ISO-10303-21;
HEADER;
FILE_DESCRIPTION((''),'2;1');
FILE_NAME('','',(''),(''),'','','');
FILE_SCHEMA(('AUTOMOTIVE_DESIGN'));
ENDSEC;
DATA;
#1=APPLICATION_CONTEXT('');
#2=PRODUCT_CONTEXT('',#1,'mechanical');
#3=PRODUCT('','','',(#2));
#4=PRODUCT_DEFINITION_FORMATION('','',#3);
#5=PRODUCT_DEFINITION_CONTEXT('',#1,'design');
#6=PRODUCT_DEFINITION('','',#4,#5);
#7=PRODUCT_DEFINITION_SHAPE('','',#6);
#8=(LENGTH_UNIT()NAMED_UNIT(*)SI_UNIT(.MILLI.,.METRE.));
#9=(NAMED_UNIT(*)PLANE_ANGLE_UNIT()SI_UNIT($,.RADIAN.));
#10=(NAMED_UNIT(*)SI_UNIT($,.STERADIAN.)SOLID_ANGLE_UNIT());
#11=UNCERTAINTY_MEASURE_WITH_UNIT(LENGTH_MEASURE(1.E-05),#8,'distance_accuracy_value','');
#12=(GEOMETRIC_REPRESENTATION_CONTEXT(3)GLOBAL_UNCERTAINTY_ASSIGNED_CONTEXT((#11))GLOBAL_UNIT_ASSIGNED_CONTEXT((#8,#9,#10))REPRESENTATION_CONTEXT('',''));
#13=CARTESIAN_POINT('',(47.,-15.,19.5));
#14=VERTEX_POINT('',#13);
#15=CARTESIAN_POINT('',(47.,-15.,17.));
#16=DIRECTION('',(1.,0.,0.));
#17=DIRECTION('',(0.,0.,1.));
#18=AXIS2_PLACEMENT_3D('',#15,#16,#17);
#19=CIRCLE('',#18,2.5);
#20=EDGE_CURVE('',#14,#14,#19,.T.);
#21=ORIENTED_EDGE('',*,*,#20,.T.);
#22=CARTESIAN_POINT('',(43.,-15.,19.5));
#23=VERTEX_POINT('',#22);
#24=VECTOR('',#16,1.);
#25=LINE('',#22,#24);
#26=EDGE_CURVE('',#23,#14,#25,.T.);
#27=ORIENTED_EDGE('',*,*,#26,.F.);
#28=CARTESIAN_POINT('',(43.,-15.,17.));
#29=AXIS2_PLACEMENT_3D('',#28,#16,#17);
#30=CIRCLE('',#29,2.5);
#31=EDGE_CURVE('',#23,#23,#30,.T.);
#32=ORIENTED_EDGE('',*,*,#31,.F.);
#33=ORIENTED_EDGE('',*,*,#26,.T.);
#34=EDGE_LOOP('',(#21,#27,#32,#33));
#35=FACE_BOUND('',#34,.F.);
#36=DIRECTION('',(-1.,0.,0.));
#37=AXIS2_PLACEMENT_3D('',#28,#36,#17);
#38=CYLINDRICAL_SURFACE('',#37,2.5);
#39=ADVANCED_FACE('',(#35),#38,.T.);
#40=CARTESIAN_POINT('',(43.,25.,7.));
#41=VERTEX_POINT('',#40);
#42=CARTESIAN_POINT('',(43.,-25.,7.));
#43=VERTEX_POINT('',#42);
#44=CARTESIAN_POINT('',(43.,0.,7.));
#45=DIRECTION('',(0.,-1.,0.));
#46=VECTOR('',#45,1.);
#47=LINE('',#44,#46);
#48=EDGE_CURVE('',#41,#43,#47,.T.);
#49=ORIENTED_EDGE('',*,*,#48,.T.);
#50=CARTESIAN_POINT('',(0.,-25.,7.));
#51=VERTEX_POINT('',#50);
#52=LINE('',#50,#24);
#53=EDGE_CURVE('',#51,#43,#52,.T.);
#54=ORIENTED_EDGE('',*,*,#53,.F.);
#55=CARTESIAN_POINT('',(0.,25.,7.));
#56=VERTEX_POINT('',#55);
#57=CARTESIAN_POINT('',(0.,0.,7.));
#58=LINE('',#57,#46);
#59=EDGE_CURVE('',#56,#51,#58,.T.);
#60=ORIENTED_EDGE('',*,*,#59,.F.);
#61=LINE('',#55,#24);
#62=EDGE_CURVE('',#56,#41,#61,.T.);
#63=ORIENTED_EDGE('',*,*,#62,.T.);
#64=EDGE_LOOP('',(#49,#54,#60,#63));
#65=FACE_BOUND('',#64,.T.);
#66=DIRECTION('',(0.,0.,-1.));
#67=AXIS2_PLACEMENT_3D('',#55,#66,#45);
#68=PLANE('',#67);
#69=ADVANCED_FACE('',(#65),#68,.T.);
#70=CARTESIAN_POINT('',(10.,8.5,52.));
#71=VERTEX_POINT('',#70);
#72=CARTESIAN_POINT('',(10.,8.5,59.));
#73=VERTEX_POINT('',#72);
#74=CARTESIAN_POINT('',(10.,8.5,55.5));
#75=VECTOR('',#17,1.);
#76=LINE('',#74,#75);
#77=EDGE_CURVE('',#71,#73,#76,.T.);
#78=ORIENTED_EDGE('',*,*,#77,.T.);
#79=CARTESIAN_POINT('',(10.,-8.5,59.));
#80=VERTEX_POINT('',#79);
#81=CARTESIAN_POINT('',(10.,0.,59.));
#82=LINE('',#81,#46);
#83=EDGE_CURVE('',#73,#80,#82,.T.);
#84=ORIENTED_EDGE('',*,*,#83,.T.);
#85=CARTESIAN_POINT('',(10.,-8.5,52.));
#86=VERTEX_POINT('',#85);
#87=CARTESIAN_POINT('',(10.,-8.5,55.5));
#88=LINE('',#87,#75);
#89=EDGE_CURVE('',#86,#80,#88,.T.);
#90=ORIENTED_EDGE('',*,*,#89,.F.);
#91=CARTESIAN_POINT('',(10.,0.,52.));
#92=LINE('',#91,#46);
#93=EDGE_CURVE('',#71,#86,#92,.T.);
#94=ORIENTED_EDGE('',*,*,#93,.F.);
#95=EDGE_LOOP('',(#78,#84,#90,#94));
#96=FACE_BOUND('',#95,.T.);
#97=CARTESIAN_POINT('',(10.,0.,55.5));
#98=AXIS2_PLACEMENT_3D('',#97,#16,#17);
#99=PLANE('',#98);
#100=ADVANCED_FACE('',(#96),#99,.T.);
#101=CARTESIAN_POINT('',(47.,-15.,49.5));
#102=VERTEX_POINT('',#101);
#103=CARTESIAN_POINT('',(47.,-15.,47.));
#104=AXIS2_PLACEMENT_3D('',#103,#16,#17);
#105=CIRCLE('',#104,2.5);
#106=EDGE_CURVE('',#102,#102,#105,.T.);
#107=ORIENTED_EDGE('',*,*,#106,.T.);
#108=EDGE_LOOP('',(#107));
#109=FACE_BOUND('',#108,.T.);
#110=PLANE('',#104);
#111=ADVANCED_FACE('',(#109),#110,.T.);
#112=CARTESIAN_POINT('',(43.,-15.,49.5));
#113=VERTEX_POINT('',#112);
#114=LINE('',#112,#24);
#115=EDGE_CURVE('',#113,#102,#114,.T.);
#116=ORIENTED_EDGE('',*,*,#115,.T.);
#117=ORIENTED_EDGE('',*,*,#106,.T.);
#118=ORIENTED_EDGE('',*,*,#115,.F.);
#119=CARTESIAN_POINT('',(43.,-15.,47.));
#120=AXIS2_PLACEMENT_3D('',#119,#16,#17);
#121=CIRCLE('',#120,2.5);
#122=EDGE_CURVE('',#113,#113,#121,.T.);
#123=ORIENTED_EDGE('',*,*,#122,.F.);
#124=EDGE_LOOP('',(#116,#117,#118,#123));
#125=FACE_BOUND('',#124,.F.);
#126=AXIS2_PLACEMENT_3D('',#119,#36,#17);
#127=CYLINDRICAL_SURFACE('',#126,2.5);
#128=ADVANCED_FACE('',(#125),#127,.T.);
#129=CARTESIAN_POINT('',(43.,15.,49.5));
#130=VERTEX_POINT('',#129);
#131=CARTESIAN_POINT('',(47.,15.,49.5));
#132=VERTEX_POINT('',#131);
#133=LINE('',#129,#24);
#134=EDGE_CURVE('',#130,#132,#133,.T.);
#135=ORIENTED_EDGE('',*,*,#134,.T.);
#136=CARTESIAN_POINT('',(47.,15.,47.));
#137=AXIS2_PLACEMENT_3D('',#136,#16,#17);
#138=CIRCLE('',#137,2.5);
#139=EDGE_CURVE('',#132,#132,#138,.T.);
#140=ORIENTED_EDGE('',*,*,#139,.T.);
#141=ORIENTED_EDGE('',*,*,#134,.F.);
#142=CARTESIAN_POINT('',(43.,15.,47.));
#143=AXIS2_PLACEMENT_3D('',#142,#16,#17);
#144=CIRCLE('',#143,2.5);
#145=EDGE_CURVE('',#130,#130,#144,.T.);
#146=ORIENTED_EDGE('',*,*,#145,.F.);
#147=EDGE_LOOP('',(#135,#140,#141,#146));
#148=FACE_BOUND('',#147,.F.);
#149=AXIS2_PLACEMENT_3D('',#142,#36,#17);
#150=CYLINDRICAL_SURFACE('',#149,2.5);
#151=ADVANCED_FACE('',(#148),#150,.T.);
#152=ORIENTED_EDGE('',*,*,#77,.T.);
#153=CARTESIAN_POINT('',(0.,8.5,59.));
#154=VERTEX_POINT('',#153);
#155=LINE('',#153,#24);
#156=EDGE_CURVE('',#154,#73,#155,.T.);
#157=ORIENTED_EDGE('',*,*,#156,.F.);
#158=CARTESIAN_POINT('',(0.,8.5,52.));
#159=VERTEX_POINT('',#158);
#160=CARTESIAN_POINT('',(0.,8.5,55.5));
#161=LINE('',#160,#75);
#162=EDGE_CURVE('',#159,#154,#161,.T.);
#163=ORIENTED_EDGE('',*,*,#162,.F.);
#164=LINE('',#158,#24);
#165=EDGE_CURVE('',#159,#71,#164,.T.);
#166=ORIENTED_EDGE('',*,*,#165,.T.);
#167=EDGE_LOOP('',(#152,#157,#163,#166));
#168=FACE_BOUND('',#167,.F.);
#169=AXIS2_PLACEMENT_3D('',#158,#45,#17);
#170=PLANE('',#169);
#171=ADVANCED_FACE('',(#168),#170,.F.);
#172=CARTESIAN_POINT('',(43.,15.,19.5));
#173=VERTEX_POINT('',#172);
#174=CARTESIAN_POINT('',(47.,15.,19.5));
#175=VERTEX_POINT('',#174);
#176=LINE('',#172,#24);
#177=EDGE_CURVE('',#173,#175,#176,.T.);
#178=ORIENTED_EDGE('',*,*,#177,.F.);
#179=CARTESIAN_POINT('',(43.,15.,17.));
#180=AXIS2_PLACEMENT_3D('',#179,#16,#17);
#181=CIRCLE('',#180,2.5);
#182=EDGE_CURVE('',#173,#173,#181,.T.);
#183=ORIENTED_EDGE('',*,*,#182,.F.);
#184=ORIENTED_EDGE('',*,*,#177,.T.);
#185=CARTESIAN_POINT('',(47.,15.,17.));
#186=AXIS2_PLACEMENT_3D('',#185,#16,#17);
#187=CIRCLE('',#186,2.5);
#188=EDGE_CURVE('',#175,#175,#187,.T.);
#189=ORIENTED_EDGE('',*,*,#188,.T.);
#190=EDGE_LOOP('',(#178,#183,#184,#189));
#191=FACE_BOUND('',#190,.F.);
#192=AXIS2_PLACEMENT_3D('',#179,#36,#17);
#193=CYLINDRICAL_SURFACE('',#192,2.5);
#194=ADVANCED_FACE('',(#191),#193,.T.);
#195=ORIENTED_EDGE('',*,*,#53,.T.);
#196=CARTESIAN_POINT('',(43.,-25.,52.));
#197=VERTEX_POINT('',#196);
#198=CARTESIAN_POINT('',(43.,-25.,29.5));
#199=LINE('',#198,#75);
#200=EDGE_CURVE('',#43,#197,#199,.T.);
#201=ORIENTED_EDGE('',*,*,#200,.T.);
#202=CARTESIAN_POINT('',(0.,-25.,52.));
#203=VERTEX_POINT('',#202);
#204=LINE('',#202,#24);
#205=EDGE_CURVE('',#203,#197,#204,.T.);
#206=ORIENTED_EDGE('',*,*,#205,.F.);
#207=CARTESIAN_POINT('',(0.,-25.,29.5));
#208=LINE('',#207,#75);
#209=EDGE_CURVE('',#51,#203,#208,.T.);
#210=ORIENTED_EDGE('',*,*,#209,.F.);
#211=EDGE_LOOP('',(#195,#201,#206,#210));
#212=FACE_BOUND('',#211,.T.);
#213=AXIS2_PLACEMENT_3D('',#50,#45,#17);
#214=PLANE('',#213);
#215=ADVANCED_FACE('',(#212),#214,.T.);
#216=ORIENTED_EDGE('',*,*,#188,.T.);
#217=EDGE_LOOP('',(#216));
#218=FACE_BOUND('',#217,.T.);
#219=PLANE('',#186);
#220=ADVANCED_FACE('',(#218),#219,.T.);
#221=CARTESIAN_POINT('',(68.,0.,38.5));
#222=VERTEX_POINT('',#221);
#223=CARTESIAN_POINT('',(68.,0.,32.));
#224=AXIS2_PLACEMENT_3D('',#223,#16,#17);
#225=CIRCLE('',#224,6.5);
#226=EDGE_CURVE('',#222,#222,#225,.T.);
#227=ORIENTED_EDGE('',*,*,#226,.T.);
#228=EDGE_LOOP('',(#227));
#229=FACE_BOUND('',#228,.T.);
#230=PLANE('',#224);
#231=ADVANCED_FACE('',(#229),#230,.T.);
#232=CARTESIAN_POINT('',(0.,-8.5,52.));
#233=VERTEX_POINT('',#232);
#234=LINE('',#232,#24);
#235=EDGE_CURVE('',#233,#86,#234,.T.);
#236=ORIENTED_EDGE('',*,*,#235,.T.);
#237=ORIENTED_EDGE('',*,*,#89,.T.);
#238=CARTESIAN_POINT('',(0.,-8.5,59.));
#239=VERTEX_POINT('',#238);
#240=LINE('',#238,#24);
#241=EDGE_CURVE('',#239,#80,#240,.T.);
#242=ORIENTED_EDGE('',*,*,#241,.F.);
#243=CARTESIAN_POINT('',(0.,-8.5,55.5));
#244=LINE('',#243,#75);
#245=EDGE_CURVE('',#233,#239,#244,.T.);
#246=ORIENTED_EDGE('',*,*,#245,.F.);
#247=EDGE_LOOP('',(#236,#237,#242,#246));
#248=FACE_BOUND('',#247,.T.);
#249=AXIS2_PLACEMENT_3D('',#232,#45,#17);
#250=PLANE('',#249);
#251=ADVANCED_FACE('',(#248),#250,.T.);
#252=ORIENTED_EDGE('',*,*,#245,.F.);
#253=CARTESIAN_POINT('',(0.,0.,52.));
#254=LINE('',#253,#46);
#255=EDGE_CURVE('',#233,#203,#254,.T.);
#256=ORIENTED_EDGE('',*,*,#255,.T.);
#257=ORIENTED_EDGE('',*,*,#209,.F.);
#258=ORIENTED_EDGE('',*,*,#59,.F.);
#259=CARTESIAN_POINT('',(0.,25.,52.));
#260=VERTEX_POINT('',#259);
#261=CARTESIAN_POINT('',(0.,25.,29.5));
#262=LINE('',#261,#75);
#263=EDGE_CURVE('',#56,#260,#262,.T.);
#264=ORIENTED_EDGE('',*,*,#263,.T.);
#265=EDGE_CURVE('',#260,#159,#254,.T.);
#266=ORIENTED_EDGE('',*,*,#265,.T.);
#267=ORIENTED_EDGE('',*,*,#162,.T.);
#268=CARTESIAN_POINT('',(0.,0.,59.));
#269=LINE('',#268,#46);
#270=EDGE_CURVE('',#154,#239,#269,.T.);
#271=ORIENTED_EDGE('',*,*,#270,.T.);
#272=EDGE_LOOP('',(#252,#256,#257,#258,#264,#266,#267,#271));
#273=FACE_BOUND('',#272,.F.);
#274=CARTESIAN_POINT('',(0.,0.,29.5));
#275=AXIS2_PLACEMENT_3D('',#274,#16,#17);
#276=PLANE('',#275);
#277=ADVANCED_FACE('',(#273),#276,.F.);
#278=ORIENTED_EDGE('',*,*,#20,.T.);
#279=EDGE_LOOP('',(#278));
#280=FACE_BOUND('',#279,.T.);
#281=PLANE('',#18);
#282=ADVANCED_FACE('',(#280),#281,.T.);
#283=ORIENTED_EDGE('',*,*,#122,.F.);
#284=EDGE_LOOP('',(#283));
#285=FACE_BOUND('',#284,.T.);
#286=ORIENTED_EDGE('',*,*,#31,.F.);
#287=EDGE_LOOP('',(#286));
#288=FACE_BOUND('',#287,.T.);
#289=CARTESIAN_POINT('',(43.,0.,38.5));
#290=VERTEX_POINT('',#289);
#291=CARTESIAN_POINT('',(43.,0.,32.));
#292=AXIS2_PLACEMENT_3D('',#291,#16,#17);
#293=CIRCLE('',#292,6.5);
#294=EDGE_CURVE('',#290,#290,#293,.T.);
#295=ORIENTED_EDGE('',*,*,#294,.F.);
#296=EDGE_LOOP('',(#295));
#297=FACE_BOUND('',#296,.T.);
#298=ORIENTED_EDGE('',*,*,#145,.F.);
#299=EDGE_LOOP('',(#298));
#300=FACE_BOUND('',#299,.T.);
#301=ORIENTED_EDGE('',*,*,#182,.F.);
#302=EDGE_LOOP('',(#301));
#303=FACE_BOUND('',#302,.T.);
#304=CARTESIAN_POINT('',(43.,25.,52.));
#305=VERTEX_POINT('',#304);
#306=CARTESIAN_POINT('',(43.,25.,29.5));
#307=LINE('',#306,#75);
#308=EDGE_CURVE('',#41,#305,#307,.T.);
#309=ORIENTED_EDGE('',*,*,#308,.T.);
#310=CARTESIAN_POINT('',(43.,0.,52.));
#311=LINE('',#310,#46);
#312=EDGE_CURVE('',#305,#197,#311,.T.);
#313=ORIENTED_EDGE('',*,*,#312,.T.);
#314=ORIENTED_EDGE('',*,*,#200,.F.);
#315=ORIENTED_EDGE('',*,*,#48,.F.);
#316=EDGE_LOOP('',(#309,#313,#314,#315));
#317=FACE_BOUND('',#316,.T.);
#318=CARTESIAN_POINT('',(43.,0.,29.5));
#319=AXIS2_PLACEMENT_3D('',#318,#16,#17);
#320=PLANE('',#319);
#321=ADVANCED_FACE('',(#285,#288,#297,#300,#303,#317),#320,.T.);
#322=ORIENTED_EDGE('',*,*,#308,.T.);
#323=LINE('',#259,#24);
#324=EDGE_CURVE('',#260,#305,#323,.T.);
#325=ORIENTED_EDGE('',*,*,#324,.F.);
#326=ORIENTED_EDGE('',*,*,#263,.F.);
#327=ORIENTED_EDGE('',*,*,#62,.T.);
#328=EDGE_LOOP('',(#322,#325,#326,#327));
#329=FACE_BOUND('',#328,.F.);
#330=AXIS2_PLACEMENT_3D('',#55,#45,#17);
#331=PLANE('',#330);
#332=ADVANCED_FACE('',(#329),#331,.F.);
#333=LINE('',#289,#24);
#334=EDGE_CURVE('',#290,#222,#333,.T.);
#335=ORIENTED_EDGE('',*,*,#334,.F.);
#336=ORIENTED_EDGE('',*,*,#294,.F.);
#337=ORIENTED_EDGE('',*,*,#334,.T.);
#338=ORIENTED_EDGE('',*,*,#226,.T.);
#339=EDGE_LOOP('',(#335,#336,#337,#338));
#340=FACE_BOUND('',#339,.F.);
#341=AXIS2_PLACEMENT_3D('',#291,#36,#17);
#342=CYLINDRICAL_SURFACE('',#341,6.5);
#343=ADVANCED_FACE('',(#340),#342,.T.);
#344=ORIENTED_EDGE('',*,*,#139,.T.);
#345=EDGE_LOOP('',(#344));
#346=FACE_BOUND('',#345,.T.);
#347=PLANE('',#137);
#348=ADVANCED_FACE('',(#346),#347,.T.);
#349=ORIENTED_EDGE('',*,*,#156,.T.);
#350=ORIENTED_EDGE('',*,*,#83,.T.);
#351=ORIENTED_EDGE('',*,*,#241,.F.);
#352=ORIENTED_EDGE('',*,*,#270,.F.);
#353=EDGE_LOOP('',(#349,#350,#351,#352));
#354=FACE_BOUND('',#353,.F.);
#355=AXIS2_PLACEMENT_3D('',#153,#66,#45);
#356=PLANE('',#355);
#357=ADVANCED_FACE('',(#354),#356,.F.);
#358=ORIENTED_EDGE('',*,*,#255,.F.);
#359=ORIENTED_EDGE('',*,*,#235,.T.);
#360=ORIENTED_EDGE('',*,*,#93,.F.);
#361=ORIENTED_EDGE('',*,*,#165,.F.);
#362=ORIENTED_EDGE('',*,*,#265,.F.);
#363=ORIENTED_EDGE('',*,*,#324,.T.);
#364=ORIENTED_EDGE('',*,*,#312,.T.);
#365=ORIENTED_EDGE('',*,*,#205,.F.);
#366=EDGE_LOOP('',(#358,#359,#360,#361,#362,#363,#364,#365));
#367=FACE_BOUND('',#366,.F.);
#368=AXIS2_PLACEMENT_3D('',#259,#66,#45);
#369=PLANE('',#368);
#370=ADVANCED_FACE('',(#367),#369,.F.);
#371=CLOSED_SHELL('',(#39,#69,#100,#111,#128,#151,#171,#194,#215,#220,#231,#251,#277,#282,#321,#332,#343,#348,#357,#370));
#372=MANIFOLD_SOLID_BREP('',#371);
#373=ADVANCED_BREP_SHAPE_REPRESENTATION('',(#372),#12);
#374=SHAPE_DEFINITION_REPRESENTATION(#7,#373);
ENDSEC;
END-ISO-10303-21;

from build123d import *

# Parameters (mm, degrees)
CYLINDER001_R             = 2.5
CYLINDER001_DEPTH         = 4
CYLINDER_R                = 6.5
CYLINDER_DEPTH            = 25
BOX_W                     = 45
BOX_H                     = 50
BOX_DEPTH                 = 43
BOX001_W                  = 7
BOX001_H                  = 17
BOX001_DEPTH              = 10
FUSION001_PITCH_ANGLE     = -90
FUSION001_PLACEMENT_ANGLE = -180


with BuildPart() as tonillo_motor:
    # Cylinder001 → Cylinder001 (new body)
    with BuildSketch(Plane(origin=(10, 10, 43), x_dir=(1, 0, 0), z_dir=(0, 0, 1))):
        Circle(CYLINDER001_R)
    extrude(amount=CYLINDER001_DEPTH)


with BuildPart() as tonillo_motor002:
    # Link001 base: copy of tonillo motor
    add(tonillo_motor.part)


with BuildPart() as tonillo_motor002_1:
    # Link001 placement: moved
    add(tonillo_motor002.part.moved(Location((30, 0, 0))))


with BuildPart() as tonillo_motor001:
    # Link base: copy of tonillo motor
    add(tonillo_motor.part)


with BuildPart() as tonillo_motor001_1:
    # Link placement: moved
    add(tonillo_motor001.part.moved(Location((0, 30, 0))))


with BuildPart() as rotor:
    # Cylinder → Cylinder (new body)
    with BuildSketch(Plane(origin=(25, 25, 43), x_dir=(1, 0, 0), z_dir=(0, 0, 1))):
        Circle(CYLINDER_R)
    extrude(amount=CYLINDER_DEPTH)


with BuildPart() as base_motor:
    # Box → Box (new body)
    with BuildSketch(Plane.XY):
        with Locations((22.5, 25)):
            Rectangle(BOX_W, BOX_H)
    extrude(amount=BOX_DEPTH)


with BuildPart() as carcasa_motor:
    # Box001 → Box001 (new body)
    with BuildSketch(Plane(origin=(45, 16.5, 0), x_dir=(1, 0, 0), z_dir=(0, 0, 1))):
        with Locations((3.5, 8.5)):
            Rectangle(BOX001_W, BOX001_H)
    extrude(amount=BOX001_DEPTH)

    # Fusion: union Base Motor
    add(base_motor.part)


with BuildPart() as motor:
    # Link002 base: copy of tonillo motor
    add(tonillo_motor.part)


with BuildPart() as motor_1:
    # Link002 placement: moved
    add(motor.part.moved(Location((30, 30, 0))))

    # Fusion001: union tonillo motor002, tonillo motor001, tonillo motor, Rotor, Carcasa motor
    add(tonillo_motor002_1.part)
    add(tonillo_motor001_1.part)
    add(tonillo_motor.part)
    add(rotor.part)
    add(carcasa_motor.part)


with BuildPart() as motor_2:
    # Fusion001 pitch: moved
    add(motor_1.part.rotate(Axis((0, 0, 0), (0, 1, 0)), FUSION001_PITCH_ANGLE))


with BuildPart() as motor_3:
    # Fusion001 placement: moved
    add(motor_2.part.moved(Location((0, 25, 7))).rotate(Axis((0, 25, 7), (0, 0, 1)), FUSION001_PLACEMENT_ANGLE))


solid = motor_3.part
